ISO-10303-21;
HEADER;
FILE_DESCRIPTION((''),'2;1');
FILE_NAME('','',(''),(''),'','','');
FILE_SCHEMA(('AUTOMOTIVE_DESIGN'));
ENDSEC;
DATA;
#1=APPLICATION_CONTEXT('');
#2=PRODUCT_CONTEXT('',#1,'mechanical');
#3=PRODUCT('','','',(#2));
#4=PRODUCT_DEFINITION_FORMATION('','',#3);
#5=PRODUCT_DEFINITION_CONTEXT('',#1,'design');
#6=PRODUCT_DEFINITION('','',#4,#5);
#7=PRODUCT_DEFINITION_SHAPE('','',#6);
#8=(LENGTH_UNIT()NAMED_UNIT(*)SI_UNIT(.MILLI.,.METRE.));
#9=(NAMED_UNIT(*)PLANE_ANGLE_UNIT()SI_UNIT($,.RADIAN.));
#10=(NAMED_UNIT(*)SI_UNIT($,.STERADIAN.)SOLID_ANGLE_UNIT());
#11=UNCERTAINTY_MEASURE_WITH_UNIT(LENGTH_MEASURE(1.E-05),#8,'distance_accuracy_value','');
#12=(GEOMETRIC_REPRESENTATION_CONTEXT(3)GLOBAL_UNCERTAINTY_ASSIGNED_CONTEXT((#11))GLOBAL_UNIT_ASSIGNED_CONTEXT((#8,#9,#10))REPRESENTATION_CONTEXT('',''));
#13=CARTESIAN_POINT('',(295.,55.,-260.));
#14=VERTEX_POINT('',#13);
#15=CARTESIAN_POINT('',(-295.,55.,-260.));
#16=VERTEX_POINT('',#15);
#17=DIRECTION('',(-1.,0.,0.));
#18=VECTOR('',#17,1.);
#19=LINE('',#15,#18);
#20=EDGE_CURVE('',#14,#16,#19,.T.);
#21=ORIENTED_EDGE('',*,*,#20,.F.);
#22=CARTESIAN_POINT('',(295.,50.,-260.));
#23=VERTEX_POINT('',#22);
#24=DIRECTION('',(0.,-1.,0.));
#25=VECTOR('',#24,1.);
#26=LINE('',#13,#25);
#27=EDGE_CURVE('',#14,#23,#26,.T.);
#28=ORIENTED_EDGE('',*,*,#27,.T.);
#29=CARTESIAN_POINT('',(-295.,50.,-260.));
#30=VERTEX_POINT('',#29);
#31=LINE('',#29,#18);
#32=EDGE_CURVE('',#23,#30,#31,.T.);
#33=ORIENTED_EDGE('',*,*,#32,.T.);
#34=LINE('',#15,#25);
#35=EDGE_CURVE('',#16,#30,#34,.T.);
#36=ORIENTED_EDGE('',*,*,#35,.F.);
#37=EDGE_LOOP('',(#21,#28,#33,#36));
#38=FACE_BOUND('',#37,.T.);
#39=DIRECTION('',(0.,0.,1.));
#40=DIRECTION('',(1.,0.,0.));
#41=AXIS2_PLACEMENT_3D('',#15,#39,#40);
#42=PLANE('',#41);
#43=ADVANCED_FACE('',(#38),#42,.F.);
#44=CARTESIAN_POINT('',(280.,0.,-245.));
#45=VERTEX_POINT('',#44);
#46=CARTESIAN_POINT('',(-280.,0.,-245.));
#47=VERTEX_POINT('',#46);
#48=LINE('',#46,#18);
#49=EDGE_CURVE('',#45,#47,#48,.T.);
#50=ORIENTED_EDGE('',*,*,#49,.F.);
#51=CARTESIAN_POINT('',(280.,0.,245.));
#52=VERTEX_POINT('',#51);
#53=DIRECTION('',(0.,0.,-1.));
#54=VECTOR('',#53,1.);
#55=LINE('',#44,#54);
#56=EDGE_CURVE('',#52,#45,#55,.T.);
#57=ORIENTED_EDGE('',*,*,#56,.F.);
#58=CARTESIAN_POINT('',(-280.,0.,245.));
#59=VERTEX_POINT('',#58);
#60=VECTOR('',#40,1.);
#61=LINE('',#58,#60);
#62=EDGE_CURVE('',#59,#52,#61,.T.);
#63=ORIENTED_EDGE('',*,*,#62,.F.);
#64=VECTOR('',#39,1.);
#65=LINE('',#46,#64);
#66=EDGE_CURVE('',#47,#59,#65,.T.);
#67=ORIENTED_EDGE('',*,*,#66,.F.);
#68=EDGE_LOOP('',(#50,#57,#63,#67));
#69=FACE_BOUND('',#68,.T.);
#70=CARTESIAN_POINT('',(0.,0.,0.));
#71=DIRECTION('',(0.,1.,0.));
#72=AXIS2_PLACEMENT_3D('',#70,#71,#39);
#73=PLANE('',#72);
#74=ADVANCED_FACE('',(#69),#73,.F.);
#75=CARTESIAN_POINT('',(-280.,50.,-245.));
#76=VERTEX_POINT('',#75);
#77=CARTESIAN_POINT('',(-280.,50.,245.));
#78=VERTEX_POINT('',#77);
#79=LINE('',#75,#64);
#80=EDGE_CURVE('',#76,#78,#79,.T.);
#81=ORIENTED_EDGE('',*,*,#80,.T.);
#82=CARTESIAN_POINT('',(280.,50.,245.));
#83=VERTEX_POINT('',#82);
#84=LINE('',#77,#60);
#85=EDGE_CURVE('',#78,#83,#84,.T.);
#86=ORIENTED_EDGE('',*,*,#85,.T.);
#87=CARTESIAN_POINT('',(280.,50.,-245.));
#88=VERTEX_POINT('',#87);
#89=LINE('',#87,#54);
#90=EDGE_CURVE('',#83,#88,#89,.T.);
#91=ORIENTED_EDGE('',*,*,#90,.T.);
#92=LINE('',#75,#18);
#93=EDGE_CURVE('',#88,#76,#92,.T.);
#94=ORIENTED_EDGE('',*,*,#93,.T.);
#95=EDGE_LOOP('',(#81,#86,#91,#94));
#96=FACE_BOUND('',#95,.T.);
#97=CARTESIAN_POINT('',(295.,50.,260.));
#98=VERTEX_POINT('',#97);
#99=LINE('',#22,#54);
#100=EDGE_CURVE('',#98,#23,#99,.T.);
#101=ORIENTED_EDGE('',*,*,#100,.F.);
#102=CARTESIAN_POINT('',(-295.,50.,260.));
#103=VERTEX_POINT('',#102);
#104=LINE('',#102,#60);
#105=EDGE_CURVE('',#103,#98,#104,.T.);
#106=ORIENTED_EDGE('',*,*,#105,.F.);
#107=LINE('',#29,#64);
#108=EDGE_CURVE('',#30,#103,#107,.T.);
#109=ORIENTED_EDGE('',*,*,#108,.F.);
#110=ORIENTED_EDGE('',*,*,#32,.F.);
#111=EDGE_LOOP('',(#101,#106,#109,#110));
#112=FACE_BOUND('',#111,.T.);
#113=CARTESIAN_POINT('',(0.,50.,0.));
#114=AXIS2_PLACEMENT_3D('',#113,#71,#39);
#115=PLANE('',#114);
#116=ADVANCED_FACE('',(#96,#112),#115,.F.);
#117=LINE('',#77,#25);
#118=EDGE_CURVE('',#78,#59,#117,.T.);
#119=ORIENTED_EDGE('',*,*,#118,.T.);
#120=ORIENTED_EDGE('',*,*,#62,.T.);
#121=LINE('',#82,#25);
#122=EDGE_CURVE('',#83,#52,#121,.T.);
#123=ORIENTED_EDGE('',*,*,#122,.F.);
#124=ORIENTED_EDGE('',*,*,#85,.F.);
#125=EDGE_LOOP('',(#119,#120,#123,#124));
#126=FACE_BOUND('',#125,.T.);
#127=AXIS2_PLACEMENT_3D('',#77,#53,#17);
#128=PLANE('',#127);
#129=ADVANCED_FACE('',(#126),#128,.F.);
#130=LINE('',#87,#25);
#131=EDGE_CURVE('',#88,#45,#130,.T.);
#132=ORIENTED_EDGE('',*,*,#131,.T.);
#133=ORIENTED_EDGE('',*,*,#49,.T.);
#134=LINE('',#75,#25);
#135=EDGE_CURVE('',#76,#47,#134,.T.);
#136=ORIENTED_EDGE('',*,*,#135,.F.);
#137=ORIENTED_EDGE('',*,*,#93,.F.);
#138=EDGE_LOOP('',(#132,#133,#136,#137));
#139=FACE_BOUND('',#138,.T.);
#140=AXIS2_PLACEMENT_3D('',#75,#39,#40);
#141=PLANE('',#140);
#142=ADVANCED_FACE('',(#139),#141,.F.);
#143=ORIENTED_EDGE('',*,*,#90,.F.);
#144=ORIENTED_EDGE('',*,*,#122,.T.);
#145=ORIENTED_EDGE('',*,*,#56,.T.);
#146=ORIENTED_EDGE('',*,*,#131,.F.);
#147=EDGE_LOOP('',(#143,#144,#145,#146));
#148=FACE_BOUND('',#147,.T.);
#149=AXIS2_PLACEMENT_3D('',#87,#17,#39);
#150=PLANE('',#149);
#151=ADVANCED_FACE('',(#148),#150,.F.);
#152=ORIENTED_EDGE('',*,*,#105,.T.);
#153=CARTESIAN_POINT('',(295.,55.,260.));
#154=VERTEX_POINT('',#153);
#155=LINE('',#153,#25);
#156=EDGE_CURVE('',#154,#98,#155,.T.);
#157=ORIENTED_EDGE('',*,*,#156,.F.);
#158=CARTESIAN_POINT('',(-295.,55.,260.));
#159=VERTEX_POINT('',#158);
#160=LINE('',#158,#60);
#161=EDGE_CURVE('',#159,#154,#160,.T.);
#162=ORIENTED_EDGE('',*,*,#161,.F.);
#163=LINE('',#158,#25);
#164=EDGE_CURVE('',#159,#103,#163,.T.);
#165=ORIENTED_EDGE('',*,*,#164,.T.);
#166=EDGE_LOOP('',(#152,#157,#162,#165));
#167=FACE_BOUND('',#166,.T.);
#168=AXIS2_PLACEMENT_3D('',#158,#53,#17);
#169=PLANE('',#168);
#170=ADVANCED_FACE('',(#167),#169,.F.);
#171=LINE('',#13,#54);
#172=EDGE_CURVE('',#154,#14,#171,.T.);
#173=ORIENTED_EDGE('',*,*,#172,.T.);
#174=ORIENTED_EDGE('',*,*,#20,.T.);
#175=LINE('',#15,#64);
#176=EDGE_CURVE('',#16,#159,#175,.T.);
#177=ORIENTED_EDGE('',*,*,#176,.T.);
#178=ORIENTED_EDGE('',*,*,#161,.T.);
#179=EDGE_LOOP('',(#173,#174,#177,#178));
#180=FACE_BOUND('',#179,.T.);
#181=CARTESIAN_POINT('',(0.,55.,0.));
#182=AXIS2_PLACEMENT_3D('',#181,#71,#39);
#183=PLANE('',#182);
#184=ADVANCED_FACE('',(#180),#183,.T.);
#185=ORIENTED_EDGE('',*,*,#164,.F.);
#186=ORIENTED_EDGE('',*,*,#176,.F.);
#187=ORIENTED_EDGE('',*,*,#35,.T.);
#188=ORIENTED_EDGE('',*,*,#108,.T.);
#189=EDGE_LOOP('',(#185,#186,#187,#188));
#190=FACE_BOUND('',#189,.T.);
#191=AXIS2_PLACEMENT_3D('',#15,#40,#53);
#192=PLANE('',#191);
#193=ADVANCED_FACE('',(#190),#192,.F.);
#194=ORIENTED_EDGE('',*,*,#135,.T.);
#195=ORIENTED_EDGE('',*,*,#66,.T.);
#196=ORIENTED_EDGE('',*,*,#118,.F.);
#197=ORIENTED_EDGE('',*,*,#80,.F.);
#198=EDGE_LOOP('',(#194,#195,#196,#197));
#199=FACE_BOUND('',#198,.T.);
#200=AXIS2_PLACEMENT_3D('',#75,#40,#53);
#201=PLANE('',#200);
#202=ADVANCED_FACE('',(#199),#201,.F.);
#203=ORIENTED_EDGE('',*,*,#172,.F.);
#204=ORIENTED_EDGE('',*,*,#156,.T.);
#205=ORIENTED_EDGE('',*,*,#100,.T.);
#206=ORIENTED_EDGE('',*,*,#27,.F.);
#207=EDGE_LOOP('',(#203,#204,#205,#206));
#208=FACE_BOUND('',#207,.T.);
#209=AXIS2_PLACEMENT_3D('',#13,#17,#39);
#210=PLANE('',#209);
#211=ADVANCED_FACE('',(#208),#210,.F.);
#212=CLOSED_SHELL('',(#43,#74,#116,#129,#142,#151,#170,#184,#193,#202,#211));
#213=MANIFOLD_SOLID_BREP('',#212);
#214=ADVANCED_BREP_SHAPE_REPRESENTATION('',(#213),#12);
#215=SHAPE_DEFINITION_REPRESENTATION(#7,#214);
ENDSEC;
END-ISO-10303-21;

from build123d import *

# Parameters (mm, degrees)
SKETCH_1_W      = 560
SKETCH_1_H      = 490
EXTRUDE_1_DEPTH = 50
SKETCH_2_W      = 590
SKETCH_2_H      = 520
EXTRUDE_2_DEPTH = 5


with BuildPart() as part:
    # Эскиз1 → Бобышка-Вытянуть1 (new body)
    with BuildSketch(Plane(origin=(0, 0, 0), x_dir=(1, 0, 0), z_dir=(0, 1, 0))):
        Rectangle(SKETCH_1_W, SKETCH_1_H)
    extrude(amount=EXTRUDE_1_DEPTH)

    # Эскиз2 → Бобышка-Вытянуть2 (add)
    with BuildSketch(Plane(origin=(0, 50, 0), x_dir=(1, 0, 0), z_dir=(0, 1, 0))):
        Rectangle(SKETCH_2_W, SKETCH_2_H)
    extrude(amount=EXTRUDE_2_DEPTH)


solid = part.part
